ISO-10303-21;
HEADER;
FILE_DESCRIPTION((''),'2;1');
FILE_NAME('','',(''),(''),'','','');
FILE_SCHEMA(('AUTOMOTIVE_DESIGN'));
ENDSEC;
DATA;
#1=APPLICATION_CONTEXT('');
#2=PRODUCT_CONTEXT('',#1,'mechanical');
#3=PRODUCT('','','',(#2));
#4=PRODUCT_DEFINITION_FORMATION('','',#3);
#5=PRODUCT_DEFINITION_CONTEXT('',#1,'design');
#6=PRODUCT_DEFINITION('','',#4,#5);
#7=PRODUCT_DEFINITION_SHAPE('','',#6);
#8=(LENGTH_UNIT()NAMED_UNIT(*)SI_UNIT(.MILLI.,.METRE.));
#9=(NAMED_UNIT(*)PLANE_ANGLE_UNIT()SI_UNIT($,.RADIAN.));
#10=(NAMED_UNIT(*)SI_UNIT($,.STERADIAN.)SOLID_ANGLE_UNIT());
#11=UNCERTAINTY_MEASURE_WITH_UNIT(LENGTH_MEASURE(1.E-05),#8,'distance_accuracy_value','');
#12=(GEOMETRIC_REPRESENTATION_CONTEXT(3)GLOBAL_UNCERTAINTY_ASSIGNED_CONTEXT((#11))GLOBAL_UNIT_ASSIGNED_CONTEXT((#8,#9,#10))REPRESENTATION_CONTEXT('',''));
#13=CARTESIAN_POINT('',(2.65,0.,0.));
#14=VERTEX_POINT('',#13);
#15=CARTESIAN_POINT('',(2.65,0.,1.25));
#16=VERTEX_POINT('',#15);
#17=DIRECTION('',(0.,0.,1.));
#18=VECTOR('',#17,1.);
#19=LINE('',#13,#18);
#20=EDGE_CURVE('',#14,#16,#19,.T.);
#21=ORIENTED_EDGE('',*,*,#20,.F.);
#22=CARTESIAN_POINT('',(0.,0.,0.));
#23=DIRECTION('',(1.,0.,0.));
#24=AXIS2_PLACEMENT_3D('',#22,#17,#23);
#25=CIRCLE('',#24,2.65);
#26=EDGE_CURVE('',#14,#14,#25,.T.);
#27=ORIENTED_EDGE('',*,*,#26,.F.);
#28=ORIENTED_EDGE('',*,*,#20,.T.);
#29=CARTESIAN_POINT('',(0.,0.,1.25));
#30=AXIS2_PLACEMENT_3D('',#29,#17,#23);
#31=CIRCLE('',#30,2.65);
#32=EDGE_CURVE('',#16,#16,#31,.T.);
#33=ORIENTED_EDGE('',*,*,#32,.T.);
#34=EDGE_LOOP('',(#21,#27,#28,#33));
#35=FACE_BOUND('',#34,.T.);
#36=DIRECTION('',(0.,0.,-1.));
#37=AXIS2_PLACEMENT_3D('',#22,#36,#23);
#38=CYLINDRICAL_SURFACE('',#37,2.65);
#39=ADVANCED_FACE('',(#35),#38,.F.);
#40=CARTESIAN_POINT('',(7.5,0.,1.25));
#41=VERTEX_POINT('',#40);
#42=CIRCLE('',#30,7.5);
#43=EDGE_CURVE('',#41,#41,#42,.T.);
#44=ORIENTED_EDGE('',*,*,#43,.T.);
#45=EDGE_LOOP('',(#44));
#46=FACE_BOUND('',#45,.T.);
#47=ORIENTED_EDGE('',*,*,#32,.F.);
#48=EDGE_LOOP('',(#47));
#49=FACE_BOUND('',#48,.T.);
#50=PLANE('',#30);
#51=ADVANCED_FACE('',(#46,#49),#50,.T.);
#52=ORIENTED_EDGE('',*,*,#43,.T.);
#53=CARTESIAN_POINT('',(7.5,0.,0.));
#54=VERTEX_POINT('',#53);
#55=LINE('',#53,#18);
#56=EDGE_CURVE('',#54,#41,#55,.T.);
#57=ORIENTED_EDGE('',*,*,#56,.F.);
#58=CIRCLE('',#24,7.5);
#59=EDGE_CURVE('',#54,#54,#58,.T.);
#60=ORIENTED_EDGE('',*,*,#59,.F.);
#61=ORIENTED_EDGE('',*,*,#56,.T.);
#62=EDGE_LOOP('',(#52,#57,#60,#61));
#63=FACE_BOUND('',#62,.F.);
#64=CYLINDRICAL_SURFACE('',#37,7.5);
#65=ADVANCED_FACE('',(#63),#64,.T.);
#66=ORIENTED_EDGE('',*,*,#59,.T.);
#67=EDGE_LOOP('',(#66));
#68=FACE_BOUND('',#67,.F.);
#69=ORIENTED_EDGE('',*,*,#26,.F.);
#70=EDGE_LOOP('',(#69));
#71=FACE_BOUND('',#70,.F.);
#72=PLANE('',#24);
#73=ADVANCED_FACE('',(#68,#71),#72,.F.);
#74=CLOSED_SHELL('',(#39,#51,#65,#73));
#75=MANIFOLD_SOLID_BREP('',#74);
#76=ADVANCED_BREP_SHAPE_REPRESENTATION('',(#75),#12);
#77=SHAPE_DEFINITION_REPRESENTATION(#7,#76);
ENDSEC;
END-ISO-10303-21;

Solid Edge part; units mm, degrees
sketch "Sketch1" plane through (0, 0, 0) normal (0, 0, 1) x (1, 0, 0)
  circle A0 centre (0, 0) radius 2.65
  circle A1 centre (0, 0) radius 7.5
extrude "Extrusionsausprägung_1" add sketch "Sketch1" along normal blind 1.25
properties material "Verzinkter Stahl"
